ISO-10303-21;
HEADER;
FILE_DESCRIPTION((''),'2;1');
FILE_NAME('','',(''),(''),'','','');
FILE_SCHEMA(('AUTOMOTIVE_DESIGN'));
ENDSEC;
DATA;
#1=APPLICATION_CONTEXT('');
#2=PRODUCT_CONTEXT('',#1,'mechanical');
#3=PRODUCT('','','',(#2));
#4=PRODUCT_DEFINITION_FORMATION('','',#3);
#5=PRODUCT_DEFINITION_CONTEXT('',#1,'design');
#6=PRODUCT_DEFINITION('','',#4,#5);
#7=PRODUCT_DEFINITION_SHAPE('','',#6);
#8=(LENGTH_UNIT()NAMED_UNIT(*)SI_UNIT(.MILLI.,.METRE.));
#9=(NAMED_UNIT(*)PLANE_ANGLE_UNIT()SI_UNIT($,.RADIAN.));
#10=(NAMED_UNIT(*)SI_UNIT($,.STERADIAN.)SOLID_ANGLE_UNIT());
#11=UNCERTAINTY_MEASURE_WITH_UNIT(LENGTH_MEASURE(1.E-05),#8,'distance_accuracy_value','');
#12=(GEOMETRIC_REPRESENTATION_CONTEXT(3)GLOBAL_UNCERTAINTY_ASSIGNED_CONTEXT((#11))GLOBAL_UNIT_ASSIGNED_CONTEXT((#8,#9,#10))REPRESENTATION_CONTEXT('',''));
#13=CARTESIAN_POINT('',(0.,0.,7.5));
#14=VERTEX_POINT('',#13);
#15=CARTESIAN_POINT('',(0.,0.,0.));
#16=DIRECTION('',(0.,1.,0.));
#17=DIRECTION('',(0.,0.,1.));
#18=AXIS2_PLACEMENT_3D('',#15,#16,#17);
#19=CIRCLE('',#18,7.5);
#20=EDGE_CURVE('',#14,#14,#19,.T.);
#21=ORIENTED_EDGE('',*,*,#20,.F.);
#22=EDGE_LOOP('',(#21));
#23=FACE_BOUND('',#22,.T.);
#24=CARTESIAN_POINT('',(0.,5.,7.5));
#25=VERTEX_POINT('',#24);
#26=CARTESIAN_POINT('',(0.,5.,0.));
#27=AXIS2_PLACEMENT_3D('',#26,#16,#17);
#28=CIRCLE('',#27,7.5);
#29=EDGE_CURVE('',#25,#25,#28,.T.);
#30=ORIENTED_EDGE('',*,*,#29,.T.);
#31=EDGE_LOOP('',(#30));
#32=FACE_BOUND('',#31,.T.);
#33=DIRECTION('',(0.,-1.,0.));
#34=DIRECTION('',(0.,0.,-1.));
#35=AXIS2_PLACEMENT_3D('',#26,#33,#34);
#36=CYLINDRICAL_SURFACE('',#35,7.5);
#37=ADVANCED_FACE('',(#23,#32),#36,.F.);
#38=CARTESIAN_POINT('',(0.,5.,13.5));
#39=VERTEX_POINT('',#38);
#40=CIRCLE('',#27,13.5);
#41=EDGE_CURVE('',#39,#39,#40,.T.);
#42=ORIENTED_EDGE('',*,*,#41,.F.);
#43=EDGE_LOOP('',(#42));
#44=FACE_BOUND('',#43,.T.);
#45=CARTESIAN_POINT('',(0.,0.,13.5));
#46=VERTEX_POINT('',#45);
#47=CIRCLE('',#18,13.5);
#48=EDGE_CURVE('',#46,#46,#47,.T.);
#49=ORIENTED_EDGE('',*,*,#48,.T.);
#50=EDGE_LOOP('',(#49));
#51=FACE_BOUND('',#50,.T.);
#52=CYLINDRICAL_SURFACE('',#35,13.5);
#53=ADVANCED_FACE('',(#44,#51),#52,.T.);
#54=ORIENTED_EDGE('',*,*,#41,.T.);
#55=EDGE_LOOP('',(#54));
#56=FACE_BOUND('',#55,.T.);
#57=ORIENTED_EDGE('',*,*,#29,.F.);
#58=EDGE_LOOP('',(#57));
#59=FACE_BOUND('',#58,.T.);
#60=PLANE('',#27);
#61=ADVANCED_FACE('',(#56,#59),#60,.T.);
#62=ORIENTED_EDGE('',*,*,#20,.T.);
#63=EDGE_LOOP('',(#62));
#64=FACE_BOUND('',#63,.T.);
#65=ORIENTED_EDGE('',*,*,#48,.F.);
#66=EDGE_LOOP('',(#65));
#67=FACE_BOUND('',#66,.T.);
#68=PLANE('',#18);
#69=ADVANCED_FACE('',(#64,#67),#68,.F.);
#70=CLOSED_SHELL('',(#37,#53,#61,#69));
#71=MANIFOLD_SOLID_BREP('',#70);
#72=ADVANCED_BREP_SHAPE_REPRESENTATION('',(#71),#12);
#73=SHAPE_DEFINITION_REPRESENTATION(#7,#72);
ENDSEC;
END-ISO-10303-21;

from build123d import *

# Parameters (mm, degrees)
SKETCH1_R           = 13.5
SKETCH1_R_2         = 7.5
BOSS_EXTRUDE1_DEPTH = 5


with BuildPart() as part:
    # Sketch1 → Boss-Extrude1 (new body)
    with BuildSketch(Plane(origin=(0, 0, 0), x_dir=(1, 0, 0), z_dir=(0, 1, 0))):
        with Locations(Location((0, 0, 0), (0, 0, 270))):
            Circle(SKETCH1_R)
        with Locations(Location((0, 0, 0), (0, 0, 270))):
            Circle(SKETCH1_R_2, mode=Mode.SUBTRACT)
    extrude(amount=BOSS_EXTRUDE1_DEPTH)


solid = part.part
